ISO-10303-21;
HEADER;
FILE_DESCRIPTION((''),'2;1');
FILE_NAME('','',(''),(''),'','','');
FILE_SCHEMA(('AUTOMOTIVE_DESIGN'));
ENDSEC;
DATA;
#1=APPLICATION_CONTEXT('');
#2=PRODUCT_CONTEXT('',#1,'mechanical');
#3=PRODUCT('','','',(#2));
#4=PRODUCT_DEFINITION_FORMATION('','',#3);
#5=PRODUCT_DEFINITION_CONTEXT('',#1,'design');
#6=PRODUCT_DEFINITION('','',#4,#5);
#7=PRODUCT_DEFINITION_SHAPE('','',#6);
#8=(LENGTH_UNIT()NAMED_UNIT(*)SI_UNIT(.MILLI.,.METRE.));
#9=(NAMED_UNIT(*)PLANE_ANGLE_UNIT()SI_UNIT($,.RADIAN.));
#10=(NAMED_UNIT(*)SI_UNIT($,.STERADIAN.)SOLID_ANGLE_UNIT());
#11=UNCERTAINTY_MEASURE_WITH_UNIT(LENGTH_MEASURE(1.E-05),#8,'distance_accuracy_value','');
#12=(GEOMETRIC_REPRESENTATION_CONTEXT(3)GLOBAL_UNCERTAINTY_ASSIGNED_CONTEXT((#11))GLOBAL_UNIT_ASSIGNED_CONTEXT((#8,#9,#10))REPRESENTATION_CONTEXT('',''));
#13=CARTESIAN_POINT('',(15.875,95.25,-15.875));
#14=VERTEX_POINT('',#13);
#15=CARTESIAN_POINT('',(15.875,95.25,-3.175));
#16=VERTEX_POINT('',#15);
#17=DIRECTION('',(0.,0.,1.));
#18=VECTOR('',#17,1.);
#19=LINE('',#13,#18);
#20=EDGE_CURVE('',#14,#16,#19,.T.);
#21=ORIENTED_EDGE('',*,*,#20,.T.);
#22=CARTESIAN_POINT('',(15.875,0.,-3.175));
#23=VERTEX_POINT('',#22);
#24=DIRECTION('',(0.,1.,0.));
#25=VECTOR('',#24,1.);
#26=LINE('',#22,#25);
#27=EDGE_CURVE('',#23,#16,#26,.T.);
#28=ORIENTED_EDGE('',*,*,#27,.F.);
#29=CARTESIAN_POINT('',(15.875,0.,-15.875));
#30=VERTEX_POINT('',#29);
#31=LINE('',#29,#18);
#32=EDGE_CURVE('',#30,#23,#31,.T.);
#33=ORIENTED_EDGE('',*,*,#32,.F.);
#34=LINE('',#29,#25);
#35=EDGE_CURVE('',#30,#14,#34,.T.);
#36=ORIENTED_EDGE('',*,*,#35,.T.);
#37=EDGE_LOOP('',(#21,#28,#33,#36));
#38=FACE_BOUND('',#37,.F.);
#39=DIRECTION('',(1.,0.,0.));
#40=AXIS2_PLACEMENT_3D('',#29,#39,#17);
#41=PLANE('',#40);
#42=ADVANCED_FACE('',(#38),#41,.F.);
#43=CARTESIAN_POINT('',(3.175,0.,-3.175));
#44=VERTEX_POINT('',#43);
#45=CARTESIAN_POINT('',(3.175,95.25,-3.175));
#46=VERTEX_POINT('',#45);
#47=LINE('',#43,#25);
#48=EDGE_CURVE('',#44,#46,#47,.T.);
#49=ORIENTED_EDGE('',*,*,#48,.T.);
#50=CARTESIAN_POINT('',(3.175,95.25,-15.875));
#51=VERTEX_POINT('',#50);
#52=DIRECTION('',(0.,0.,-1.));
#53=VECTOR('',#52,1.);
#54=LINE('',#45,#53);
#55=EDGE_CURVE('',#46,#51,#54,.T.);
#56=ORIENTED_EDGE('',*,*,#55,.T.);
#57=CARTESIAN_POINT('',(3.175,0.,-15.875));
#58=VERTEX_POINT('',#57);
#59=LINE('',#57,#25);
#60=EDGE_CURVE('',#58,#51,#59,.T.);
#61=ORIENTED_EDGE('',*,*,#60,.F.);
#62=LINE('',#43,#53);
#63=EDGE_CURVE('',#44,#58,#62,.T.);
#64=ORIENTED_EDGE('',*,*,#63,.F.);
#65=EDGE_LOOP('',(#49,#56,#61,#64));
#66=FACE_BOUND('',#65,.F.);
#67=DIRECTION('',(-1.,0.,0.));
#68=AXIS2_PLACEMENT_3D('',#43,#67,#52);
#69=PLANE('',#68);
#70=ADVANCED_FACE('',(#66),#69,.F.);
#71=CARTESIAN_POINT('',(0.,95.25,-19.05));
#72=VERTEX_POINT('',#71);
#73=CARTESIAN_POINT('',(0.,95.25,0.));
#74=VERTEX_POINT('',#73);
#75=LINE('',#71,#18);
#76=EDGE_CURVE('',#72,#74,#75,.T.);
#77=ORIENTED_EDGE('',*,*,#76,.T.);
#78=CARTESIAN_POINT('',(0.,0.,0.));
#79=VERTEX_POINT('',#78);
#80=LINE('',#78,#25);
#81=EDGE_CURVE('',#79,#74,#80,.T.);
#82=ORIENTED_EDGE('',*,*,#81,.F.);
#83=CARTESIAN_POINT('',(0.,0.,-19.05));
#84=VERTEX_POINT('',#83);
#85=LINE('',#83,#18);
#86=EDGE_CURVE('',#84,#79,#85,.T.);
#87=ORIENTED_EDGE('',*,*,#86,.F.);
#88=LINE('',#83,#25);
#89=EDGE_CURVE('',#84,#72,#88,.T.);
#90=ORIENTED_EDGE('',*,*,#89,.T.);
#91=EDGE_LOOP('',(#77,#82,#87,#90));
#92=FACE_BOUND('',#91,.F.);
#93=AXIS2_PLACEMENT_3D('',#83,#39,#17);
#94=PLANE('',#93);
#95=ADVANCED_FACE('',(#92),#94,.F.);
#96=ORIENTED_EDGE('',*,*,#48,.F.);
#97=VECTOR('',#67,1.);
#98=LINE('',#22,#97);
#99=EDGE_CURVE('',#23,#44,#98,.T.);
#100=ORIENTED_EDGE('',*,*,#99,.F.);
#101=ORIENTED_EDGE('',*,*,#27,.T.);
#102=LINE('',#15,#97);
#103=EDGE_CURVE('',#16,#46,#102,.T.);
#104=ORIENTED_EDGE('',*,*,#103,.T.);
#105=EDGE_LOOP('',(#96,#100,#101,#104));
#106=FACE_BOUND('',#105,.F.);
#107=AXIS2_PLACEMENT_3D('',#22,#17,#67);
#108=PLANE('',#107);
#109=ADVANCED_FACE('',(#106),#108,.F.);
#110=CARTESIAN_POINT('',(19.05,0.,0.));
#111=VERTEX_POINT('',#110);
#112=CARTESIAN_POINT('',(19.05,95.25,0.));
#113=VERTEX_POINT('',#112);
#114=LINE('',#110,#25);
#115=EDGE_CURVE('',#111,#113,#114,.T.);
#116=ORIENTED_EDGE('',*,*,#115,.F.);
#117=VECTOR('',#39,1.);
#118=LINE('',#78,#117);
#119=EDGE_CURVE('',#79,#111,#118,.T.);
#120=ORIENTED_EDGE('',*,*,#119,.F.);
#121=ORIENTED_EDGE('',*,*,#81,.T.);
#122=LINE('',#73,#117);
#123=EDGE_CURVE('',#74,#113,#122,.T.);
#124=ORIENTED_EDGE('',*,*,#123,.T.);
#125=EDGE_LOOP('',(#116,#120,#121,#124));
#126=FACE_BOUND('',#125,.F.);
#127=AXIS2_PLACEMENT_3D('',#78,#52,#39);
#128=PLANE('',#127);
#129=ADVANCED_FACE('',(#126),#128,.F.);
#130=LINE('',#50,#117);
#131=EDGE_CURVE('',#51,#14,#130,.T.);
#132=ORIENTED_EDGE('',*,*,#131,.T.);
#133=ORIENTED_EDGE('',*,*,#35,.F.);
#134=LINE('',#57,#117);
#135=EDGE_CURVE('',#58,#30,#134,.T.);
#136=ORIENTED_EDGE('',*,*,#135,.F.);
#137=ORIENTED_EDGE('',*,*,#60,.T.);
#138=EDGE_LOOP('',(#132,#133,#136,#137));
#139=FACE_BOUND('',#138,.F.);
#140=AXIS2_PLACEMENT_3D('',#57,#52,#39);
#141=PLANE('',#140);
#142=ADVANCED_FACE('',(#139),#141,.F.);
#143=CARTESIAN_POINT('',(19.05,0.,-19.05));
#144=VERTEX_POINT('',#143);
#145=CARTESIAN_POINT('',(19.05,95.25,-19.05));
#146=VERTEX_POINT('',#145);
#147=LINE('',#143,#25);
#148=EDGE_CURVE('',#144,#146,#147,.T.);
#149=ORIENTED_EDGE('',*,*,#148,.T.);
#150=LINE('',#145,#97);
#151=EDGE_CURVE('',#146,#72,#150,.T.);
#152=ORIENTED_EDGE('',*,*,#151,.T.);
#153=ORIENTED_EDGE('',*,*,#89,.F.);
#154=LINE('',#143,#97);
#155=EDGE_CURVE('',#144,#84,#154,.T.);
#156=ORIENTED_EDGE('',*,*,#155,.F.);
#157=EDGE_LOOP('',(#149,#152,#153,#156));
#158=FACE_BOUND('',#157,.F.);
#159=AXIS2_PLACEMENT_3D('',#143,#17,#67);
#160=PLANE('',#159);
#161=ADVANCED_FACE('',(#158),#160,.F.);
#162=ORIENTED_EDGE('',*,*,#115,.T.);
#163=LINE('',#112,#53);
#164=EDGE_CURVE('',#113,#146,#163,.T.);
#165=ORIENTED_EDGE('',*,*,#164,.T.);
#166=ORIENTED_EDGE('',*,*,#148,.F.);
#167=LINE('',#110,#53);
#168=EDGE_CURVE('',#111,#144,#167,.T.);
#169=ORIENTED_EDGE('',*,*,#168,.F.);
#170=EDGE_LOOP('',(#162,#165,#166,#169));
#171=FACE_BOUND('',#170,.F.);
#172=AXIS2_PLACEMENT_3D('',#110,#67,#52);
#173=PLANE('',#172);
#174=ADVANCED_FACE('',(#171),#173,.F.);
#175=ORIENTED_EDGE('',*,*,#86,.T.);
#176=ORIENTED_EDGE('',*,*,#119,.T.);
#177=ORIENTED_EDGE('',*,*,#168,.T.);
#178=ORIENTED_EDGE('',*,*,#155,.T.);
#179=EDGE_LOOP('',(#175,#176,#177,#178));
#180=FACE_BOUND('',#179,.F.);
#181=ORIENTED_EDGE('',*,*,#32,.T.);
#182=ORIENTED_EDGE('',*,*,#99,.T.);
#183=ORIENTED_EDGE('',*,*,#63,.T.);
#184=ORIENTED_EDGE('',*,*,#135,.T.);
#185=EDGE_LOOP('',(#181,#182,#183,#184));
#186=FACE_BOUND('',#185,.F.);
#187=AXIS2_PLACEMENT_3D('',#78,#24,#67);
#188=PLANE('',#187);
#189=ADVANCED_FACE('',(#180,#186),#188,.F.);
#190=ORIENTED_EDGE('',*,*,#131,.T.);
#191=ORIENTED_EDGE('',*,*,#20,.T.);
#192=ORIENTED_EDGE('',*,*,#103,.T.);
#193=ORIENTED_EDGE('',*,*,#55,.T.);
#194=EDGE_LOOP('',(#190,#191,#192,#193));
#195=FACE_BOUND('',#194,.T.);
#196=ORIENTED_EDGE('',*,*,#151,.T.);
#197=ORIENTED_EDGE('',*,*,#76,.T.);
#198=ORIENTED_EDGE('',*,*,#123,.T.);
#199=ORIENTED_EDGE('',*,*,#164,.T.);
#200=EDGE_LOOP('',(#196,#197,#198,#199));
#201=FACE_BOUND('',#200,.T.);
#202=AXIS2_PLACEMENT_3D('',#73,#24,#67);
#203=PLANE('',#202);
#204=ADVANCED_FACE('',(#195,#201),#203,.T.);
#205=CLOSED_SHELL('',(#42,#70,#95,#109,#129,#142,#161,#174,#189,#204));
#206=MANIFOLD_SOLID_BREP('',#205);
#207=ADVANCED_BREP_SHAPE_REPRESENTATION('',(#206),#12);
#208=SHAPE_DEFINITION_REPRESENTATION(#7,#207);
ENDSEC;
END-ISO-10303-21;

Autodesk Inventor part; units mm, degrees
ref_plane "YZ Plane" through (0, 0, 0) normal (1, 0, 0) x (0, 1, 0)
ref_plane "XZ Plane" through (0, 0, 0) normal (0, 1, 0) x (-1, 0, 0)
ref_plane "XY Plane" through (0, 0, 0) normal (0, 0, 1) x (1, 0, 0)
sketch "Sketch1" plane through (0, 0, 0) normal (0, 1, 0) x (-1, 0, 0)
  line L0 (0, 0) -> (-19.05, 0)
  line L1 (-19.05, 0) -> (-19.05, -19.05)
  line L2 (-19.05, -19.05) -> (0, -19.05)
  line L3 (0, -19.05) -> (0, 0)
  line L4 (-3.175, -15.875) -> (-15.875, -15.875)
  line L5 (-15.875, -15.875) -> (-15.875, -3.175)
  line L6 (-15.875, -3.175) -> (-3.175, -3.175)
  line L7 (-3.175, -3.175) -> (-3.175, -15.875)
  dimension "d0" = 19.05
  dimension "d1" = 19.05
  dimension "d2" = 3.175
extrude "Extrusion1" add sketch "Sketch1" along normal blind 95.25
properties part number "Chasis Hieght" material "Aluminum 6061"
